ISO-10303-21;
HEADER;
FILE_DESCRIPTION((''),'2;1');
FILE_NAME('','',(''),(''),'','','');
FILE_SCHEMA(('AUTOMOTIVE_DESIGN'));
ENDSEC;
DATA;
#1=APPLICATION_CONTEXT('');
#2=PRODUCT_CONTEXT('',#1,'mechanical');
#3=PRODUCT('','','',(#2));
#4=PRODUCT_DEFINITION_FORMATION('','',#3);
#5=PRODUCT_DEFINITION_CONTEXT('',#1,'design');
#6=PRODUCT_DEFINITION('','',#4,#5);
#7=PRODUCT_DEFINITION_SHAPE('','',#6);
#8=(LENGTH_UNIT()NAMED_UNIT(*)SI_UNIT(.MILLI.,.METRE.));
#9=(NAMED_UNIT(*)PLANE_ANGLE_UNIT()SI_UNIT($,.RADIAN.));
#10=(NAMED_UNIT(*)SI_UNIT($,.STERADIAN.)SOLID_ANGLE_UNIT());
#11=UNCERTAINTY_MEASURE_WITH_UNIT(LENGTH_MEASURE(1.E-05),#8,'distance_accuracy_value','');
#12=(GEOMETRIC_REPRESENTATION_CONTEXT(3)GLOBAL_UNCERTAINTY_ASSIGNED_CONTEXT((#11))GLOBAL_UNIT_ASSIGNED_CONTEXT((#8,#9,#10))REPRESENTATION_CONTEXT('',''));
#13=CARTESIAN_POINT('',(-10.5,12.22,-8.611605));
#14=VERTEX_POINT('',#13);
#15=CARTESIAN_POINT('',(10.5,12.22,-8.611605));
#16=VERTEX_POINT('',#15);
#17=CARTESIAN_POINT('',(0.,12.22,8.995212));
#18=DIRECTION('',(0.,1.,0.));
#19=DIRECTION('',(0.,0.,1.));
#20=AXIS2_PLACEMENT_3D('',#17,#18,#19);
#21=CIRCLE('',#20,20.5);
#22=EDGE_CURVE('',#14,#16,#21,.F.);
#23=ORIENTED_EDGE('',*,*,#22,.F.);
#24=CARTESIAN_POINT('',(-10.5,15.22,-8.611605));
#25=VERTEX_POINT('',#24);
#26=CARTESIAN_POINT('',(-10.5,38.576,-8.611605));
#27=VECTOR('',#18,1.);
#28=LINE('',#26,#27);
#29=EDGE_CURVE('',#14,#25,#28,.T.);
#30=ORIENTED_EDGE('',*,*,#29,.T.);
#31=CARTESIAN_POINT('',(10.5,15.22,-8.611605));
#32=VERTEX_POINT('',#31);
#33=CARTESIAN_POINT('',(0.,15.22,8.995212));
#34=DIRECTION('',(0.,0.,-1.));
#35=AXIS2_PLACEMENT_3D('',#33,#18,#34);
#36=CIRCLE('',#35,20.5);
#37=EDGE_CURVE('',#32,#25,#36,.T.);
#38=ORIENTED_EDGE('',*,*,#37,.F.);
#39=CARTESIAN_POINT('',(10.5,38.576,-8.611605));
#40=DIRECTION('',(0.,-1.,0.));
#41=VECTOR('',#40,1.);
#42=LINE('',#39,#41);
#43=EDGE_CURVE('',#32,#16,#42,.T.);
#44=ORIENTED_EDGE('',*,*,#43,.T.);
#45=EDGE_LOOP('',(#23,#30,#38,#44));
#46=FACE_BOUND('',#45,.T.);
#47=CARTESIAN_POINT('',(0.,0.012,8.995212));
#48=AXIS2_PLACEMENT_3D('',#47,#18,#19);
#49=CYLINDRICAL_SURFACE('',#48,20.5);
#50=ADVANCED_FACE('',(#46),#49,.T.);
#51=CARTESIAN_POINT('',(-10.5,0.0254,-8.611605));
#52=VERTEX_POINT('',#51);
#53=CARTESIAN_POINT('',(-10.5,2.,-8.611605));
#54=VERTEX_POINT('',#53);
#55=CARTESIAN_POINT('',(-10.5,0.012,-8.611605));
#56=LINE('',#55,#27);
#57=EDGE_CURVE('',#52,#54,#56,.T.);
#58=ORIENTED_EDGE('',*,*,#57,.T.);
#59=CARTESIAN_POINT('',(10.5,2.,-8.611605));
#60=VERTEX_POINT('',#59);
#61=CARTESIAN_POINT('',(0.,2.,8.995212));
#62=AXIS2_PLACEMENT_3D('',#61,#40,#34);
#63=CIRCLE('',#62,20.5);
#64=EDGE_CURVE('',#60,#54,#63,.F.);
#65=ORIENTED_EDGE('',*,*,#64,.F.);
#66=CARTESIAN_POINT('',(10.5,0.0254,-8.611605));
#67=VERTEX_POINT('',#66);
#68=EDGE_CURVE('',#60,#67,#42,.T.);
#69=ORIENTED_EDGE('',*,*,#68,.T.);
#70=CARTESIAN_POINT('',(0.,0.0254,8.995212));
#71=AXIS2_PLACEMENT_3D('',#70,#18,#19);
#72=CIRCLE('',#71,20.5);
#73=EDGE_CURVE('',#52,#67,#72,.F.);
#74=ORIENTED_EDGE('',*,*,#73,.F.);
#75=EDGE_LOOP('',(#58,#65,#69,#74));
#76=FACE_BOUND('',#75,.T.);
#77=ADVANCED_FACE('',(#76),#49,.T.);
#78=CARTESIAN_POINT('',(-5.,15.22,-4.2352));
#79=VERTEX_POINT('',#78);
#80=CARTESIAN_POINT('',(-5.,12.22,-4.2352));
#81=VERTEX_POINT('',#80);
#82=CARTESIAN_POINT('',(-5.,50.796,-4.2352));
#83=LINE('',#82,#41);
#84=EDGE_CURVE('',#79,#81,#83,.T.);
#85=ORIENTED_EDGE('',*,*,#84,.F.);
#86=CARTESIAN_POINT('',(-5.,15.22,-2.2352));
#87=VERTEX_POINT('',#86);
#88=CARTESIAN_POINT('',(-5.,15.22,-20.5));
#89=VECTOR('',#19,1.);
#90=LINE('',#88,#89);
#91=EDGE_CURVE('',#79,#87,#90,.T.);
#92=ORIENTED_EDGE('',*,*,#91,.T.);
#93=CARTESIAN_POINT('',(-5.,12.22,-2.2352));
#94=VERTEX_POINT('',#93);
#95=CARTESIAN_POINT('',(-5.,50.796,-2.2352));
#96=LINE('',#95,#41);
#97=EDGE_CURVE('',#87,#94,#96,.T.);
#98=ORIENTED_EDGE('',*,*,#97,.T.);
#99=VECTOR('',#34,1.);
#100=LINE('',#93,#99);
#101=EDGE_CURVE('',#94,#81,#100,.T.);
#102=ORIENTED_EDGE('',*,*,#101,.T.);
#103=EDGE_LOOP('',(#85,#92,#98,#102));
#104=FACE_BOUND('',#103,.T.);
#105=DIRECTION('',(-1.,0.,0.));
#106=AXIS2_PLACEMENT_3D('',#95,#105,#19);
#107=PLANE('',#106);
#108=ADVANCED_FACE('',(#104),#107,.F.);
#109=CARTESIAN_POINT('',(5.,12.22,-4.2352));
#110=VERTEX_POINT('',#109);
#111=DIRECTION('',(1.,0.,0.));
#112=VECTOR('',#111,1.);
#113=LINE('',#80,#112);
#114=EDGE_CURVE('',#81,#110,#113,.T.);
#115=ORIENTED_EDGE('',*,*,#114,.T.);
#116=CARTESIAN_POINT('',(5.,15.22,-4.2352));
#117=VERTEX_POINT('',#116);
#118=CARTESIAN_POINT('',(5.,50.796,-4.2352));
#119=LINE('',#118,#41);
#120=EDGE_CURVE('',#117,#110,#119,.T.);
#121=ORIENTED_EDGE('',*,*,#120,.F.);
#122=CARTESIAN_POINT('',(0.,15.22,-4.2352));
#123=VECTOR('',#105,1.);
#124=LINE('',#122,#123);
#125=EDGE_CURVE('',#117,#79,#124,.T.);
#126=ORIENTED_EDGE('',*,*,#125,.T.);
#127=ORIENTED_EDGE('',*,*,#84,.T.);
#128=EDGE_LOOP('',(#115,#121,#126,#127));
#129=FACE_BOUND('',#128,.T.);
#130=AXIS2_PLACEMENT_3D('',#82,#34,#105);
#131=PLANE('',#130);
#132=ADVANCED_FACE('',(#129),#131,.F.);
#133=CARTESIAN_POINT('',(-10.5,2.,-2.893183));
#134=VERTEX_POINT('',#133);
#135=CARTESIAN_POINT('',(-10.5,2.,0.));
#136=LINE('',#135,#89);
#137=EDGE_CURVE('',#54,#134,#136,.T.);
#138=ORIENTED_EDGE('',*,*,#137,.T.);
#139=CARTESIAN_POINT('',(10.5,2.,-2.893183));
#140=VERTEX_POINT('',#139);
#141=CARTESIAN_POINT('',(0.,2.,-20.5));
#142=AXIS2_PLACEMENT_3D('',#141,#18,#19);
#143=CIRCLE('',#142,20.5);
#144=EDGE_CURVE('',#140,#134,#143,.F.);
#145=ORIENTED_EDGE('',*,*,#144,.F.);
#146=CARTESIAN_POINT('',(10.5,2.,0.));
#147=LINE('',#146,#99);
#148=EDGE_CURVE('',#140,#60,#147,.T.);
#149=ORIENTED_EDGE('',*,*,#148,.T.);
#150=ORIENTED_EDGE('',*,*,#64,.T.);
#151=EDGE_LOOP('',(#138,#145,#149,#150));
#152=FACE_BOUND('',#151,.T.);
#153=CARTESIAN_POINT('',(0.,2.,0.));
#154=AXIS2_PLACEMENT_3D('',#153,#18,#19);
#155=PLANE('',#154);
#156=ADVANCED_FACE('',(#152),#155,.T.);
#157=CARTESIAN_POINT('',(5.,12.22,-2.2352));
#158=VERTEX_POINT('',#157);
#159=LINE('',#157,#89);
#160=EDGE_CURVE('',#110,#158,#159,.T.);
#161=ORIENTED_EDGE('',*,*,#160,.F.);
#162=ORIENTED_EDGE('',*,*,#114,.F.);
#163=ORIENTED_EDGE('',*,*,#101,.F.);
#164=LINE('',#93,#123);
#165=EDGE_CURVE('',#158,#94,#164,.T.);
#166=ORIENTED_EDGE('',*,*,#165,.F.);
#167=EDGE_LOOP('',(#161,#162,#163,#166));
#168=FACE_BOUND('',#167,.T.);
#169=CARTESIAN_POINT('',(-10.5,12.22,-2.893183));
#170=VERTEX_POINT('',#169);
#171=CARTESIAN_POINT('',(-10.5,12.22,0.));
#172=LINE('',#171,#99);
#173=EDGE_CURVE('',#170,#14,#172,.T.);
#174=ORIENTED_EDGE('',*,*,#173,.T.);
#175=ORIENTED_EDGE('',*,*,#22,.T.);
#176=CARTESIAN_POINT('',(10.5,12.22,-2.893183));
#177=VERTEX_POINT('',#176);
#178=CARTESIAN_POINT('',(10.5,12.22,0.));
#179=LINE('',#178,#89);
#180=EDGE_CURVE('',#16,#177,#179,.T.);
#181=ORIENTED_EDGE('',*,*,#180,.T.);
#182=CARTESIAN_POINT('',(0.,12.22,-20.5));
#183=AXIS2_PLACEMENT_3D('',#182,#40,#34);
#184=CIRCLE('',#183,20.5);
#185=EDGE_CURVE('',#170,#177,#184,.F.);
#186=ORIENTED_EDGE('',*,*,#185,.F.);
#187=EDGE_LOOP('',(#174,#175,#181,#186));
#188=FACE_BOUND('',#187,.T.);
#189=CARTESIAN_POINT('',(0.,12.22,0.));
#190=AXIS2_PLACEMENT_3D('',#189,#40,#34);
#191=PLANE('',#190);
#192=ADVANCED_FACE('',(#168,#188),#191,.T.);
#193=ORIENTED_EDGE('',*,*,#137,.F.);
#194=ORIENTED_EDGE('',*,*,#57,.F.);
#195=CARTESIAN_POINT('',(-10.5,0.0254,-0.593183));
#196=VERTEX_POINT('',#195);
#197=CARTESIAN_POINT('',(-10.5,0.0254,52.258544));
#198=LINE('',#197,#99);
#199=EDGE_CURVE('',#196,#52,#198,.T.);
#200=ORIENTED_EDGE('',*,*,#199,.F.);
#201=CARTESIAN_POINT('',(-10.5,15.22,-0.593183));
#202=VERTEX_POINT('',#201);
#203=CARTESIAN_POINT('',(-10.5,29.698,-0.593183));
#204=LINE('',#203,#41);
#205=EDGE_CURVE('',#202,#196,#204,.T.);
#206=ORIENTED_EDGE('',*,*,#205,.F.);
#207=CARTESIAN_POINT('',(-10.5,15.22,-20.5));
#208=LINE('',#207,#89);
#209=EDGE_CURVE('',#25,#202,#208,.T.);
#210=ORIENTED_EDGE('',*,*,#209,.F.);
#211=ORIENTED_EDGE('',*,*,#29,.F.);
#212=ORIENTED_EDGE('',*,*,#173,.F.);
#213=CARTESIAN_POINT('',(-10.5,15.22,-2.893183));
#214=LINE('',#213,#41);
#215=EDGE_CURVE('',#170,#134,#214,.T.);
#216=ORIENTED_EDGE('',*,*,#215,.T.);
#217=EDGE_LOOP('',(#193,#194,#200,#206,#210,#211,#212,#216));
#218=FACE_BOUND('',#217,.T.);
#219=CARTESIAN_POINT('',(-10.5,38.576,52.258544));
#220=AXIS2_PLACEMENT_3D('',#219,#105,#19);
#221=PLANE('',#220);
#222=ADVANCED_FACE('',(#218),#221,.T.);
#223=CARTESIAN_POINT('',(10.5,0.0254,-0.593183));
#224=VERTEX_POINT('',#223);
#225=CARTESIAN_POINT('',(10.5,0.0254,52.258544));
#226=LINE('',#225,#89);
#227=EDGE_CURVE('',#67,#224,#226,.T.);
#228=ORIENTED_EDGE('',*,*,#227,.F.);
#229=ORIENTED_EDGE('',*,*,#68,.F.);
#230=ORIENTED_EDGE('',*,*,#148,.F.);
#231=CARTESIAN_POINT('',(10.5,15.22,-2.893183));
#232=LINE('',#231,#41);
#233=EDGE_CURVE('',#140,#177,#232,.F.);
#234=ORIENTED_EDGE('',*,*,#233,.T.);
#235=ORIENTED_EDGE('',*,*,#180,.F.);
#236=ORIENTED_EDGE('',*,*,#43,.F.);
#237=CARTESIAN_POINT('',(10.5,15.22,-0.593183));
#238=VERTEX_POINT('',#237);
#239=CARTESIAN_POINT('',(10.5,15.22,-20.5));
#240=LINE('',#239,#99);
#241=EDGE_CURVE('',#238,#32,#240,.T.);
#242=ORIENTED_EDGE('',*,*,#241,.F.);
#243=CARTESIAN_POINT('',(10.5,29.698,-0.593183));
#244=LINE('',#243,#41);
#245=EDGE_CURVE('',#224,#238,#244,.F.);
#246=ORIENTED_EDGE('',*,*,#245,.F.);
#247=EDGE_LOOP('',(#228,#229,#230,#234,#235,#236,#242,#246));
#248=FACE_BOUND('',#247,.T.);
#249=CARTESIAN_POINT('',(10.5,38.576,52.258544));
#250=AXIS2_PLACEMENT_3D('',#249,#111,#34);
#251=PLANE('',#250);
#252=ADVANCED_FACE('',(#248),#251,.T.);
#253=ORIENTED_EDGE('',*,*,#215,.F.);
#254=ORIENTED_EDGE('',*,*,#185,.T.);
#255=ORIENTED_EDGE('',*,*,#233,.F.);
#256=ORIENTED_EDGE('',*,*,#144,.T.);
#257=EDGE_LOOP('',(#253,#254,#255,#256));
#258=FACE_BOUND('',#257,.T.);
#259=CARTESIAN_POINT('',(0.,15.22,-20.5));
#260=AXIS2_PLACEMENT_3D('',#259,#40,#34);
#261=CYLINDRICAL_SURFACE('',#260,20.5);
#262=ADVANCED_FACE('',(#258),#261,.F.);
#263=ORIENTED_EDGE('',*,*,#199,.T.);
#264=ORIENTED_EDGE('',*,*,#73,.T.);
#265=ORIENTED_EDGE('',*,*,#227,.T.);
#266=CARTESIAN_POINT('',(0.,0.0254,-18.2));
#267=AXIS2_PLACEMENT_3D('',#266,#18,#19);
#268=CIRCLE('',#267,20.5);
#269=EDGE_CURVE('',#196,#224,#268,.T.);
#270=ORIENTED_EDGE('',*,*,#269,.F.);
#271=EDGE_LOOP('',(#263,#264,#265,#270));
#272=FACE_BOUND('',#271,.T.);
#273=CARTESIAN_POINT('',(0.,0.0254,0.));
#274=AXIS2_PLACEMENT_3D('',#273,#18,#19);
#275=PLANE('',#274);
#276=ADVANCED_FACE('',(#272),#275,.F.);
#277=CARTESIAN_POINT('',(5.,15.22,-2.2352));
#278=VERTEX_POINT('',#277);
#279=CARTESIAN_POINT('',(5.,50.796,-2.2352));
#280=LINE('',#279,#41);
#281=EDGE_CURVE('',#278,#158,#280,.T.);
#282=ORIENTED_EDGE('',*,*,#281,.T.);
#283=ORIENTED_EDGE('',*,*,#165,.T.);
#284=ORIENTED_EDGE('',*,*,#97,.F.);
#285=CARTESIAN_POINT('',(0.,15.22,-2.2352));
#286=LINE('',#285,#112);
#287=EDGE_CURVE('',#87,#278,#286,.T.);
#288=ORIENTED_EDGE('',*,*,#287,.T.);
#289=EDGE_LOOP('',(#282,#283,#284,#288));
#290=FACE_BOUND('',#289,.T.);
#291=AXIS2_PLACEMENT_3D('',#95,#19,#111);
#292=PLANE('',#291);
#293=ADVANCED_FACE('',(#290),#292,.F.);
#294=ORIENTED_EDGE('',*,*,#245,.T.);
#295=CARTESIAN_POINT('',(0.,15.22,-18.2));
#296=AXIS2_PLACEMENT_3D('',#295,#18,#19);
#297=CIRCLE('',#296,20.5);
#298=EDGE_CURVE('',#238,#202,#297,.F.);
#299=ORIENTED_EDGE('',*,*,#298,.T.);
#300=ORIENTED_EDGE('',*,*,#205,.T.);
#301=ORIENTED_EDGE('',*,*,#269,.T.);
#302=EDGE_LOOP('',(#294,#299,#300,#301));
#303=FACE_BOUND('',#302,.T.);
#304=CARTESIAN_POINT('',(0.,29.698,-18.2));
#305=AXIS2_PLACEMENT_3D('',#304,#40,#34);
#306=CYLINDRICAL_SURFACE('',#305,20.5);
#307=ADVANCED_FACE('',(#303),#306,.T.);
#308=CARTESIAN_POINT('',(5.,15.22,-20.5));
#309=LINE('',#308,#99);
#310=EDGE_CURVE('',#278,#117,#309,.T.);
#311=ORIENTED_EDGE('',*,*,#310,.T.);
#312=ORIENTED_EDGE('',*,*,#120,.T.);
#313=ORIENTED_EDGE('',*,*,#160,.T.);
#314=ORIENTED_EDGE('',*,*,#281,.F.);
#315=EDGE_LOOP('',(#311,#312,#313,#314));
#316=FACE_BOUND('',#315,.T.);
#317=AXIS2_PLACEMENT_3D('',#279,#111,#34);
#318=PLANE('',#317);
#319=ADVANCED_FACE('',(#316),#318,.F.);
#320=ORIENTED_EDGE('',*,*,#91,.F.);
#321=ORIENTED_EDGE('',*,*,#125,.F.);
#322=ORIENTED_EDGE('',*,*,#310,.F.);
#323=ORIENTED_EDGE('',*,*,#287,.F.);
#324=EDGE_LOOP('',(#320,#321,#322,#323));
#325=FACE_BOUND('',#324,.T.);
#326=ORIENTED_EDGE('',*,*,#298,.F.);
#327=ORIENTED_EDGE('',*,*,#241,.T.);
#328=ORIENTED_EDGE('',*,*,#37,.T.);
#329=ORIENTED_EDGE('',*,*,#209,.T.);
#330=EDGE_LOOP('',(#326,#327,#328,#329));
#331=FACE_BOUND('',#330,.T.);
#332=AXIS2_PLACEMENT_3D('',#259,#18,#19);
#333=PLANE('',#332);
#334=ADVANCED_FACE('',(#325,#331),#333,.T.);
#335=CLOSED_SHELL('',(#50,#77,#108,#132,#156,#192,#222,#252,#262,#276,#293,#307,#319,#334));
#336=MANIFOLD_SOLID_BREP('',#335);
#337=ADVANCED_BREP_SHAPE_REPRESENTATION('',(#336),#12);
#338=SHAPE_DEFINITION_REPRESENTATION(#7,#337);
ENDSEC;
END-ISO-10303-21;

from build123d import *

# Parameters (mm, degrees)
BOSS_EXTRUDE1_DEPTH     = 15.21999998
SKETCH2_W               = 36.809677156
SKETCH2_H               = 26.071604974
BOSS_EXTRUDE2_DEPTH     = 3
SKETCH3_W               = 36.809677156
SKETCH3_H               = 26.071604974
BOSS_EXTRUDE3_DEPTH     = 2
SKETCH4_W               = 60.36112228
SKETCH4_H               = 157.574347664
SKETCH4_W_2             = 21
SKETCH4_H_2             = 111.767475737
CUT_EXTRUDE1_DEPTH      = 38.576
SKETCH5_W               = 10
SKETCH5_H               = 2
CUT_EXTRUDE2_DEPTH      = 38.576
SKETCH6_W               = 35.571492448
SKETCH6_H               = 20.32
CUT_EXTRUDE3_DEPTH      = 25.876
CUT_EXTRUDE3_DEPTH_BACK = 20.32
SKETCH7_W               = 25.588268566
SKETCH7_H               = 5
CUT_EXTRUDE4_DEPTH      = 25.876
SKETCH10_R              = 48.677475689
SKETCH10_R_2            = 20.5
CUT_EXTRUDE5_DEPTH      = 14.478
CUT_EXTRUDE5_DEPTH_BACK = 169.64
BOSS_EXTRUDE4_DEPTH     = 15.208
SKETCH12_W              = 30.501346117
SKETCH12_H              = 25.675497492
CUT_EXTRUDE8_DEPTH      = 8.604
CUT_EXTRUDE8_DEPTH_BACK = 0.0254
SKETCH13_W              = 21
SKETCH13_H              = 10.21999998
CUT_EXTRUDE9_DEPTH      = 8.604


with BuildPart() as part:
    # Sketch1 → Boss-Extrude1 (new body)
    with BuildSketch(Plane(origin=(0, 0, 0), x_dir=(1, 0, 0), z_dir=(0, 1, 0))):
        with BuildLine():
            Line((18.404838578, -7.300000132), (-18.404838578, -7.300000132))
            Line((-18.404838578, -7.300000132), (-18.404838578, 7.300000132))
            Line((-18.404838578, 7.300000132), (-18.404838578, 11.471604964))
            ThreePointArc((-18.404838578, 11.471604964), (0, 0), (18.404838578, 11.471604964))
            Line((18.404838578, 11.471604964), (18.404838578, 7.300000132))
            Line((18.404838578, 7.300000132), (18.404838578, -7.300000132))
        make_face()
    extrude(amount=BOSS_EXTRUDE1_DEPTH)

    # Sketch2 → Boss-Extrude2 (add)
    with BuildSketch(Plane(origin=(0, 15.21999998, 0), x_dir=(1, 0, 0), z_dir=(0, 1, 0))):
        with Locations((0, 5.735802355)):
            Rectangle(SKETCH2_W, SKETCH2_H)
    extrude(amount=-BOSS_EXTRUDE2_DEPTH)

    # Sketch3 → Boss-Extrude3 (add)
    with BuildSketch(Plane.XZ):
        with Locations((0, -5.735802355)):
            Rectangle(SKETCH3_W, SKETCH3_H)
    extrude(amount=-BOSS_EXTRUDE3_DEPTH)

    # Sketch4 → Cut-Extrude1 (cut)
    with BuildSketch(Plane.XZ):
        with Locations((0, -3.625194089)):
            Rectangle(SKETCH4_W, SKETCH4_H)
        with Locations((0, -3.62519409)):
            Rectangle(SKETCH4_W_2, SKETCH4_H_2, mode=Mode.SUBTRACT)
    extrude(amount=-CUT_EXTRUDE1_DEPTH, mode=Mode.SUBTRACT)

    # Sketch5 → Cut-Extrude2 (cut)
    with BuildSketch(Plane.XZ.offset(-12.21999998)):
        with Locations((0, -3.2352)):
            Rectangle(SKETCH5_W, SKETCH5_H)
    extrude(amount=-CUT_EXTRUDE2_DEPTH, mode=Mode.SUBTRACT)

    # Sketch6 → Cut-Extrude3 (cut, two sides)
    with BuildSketch(Plane.XZ.offset(-12.21999998)) as cut_extrude3_sk:
        with Locations((0, -18.771604842)):
            Rectangle(SKETCH6_W, SKETCH6_H)
    extrude(amount=CUT_EXTRUDE3_DEPTH, mode=Mode.SUBTRACT)
    extrude(cut_extrude3_sk.sketch, amount=-CUT_EXTRUDE3_DEPTH_BACK, mode=Mode.SUBTRACT)

    # Sketch7 → Cut-Extrude4 (cut)
    with BuildSketch(Plane(origin=(0, 15.21999998, 0), x_dir=(1, 0, 0), z_dir=(0, 1, 0))):
        with Locations((0, -7.300000132)):
            Rectangle(SKETCH7_W, SKETCH7_H)
    extrude(amount=-CUT_EXTRUDE4_DEPTH, mode=Mode.SUBTRACT)

    # Sketch10 → Cut-Extrude5 (cut, two sides)
    with BuildSketch(Plane(origin=(0, 15.21999998, 0), x_dir=(1, 0, 0), z_dir=(0, 1, 0))) as cut_extrude5_sk:
        with Locations((0, 18.199999842)):
            Circle(SKETCH10_R)
        with Locations((0, 18.199999842)):
            Circle(SKETCH10_R_2, mode=Mode.SUBTRACT)
    extrude(amount=CUT_EXTRUDE5_DEPTH, mode=Mode.SUBTRACT)
    extrude(cut_extrude5_sk.sketch, amount=-CUT_EXTRUDE5_DEPTH_BACK, mode=Mode.SUBTRACT)

    # Sketch11 → Boss-Extrude4 (add)
    with BuildSketch(Plane(origin=(0, 15.21999998, 0), x_dir=(1, 0, 0), z_dir=(0, 1, 0))):
        with BuildLine():
            Line((-10.5, 8.611604842), (10.5, 8.611604842))
            ThreePointArc((10.5, 8.611604842), (0, 11.50478798), (-10.5, 8.611604842))
        make_face()
    extrude(amount=-BOSS_EXTRUDE4_DEPTH)

    # Sketch12 → Cut-Extrude8 (cut, two sides)
    with BuildSketch(Plane.XZ) as cut_extrude8_sk:
        with Locations((1.361590216, -5.971942541)):
            Rectangle(SKETCH12_W, SKETCH12_H)
    extrude(amount=CUT_EXTRUDE8_DEPTH, mode=Mode.SUBTRACT)
    extrude(cut_extrude8_sk.sketch, amount=-CUT_EXTRUDE8_DEPTH_BACK, mode=Mode.SUBTRACT)

    # Sketch13 → Cut-Extrude9 (cut)
    with BuildSketch(Plane.XY.offset(-8.611604842)):
        with Locations((0, 7.10999999)):
            Rectangle(SKETCH13_W, SKETCH13_H)
    extrude(amount=-CUT_EXTRUDE9_DEPTH, mode=Mode.SUBTRACT)


solid = part.part
